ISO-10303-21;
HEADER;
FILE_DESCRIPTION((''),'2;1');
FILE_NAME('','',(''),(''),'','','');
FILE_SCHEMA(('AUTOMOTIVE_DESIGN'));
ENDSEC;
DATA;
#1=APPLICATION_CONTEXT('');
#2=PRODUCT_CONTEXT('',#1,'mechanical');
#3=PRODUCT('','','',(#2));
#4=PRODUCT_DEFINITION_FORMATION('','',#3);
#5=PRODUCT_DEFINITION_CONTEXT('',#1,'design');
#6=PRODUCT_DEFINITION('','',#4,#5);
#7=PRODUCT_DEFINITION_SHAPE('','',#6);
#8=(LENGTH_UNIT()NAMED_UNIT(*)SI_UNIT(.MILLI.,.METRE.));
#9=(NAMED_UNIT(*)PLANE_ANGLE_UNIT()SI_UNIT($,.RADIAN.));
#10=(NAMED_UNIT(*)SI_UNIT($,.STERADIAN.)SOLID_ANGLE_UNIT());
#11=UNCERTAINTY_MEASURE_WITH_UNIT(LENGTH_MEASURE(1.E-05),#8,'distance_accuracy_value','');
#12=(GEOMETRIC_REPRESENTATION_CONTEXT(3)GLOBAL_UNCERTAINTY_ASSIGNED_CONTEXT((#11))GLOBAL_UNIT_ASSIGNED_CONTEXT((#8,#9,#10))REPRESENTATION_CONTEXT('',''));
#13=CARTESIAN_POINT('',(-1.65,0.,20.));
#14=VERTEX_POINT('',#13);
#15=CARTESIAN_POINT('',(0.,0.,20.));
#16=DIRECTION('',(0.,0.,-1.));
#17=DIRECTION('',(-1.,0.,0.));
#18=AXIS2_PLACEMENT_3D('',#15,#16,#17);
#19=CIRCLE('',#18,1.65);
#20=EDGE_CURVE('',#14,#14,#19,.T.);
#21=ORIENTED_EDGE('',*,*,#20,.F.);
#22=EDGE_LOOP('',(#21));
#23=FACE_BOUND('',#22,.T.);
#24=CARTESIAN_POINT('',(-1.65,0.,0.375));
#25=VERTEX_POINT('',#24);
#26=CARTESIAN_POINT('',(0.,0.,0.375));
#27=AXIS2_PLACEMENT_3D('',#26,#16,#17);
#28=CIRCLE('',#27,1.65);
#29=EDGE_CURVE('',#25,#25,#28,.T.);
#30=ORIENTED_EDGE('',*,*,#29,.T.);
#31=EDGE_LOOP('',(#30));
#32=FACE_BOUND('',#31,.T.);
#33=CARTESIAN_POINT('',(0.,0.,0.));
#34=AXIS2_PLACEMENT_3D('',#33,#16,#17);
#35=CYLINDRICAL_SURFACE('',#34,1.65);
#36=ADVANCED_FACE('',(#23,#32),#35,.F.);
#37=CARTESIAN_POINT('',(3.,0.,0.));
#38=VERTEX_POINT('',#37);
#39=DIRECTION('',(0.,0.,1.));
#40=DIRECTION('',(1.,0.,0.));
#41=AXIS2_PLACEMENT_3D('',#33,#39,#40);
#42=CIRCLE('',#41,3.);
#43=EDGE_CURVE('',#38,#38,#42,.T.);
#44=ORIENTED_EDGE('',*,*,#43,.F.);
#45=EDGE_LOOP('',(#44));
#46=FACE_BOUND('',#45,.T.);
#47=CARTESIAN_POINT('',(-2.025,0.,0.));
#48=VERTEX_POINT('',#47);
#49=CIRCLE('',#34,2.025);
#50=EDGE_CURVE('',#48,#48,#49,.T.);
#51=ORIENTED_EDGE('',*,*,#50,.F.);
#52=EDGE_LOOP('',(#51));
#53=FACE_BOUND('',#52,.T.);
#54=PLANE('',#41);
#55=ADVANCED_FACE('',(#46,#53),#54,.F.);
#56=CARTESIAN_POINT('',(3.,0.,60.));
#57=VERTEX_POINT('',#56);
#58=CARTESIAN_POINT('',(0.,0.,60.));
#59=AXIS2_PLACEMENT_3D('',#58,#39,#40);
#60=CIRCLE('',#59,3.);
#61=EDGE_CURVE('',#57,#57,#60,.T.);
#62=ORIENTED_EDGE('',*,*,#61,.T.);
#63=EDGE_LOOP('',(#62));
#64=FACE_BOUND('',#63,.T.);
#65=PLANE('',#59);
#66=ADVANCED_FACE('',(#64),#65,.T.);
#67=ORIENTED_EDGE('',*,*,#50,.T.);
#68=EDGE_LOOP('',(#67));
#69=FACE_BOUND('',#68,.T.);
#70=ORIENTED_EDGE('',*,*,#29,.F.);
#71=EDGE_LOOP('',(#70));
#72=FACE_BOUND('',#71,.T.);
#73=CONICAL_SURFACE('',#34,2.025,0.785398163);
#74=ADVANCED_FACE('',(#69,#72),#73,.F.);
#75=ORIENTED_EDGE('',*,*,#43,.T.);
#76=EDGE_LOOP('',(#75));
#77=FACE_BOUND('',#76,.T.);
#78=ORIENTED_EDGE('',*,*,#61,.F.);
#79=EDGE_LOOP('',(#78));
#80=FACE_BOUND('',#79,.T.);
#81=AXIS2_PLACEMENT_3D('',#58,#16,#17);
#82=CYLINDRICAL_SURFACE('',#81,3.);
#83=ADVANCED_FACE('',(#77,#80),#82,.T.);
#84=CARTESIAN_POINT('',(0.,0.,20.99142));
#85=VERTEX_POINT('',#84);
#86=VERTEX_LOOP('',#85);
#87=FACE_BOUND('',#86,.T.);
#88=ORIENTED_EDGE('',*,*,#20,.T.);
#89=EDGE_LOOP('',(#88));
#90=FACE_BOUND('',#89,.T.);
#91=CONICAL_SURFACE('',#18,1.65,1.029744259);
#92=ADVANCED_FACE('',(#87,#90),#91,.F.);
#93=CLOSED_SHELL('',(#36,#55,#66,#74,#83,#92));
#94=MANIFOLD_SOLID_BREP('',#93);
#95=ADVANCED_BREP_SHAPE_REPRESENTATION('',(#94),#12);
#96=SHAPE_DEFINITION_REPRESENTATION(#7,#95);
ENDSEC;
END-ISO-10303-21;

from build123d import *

# Parameters (mm, degrees)
ESBO_O1_R                       = 3
RESSALTO_EXTRUS_O1_DEPTH        = 60
FURO_ROSCADO_DE_M41_D           = 3.3
FURO_ROSCADO_DE_M41_DEPTH       = 20
FURO_ROSCADO_DE_M41_CSINK_D     = 4.05
FURO_ROSCADO_DE_M41_CSINK_ANGLE = 90
FURO_ROSCADO_DE_M41_TIP         = 0.991420021


with BuildPart() as part:
    # Esboço1 → Ressalto-extrusão1 (new body)
    with BuildSketch(Plane.XY):
        Circle(ESBO_O1_R)
    extrude(amount=RESSALTO_EXTRUS_O1_DEPTH)

    # Furo roscado de M41
    with Locations(Plane(origin=(0, 0, 0), x_dir=(-1, 0, 0), z_dir=(0, 0, -1))):
        with Locations((0, 0)):
            CounterSinkHole(FURO_ROSCADO_DE_M41_D / 2, FURO_ROSCADO_DE_M41_CSINK_D / 2, depth=FURO_ROSCADO_DE_M41_DEPTH, counter_sink_angle=FURO_ROSCADO_DE_M41_CSINK_ANGLE)
            with Locations((0, 0, -(FURO_ROSCADO_DE_M41_DEPTH + FURO_ROSCADO_DE_M41_TIP / 2))):  # 118° drill point
                Cone(0, FURO_ROSCADO_DE_M41_D / 2, FURO_ROSCADO_DE_M41_TIP, mode=Mode.SUBTRACT)


solid = part.part
